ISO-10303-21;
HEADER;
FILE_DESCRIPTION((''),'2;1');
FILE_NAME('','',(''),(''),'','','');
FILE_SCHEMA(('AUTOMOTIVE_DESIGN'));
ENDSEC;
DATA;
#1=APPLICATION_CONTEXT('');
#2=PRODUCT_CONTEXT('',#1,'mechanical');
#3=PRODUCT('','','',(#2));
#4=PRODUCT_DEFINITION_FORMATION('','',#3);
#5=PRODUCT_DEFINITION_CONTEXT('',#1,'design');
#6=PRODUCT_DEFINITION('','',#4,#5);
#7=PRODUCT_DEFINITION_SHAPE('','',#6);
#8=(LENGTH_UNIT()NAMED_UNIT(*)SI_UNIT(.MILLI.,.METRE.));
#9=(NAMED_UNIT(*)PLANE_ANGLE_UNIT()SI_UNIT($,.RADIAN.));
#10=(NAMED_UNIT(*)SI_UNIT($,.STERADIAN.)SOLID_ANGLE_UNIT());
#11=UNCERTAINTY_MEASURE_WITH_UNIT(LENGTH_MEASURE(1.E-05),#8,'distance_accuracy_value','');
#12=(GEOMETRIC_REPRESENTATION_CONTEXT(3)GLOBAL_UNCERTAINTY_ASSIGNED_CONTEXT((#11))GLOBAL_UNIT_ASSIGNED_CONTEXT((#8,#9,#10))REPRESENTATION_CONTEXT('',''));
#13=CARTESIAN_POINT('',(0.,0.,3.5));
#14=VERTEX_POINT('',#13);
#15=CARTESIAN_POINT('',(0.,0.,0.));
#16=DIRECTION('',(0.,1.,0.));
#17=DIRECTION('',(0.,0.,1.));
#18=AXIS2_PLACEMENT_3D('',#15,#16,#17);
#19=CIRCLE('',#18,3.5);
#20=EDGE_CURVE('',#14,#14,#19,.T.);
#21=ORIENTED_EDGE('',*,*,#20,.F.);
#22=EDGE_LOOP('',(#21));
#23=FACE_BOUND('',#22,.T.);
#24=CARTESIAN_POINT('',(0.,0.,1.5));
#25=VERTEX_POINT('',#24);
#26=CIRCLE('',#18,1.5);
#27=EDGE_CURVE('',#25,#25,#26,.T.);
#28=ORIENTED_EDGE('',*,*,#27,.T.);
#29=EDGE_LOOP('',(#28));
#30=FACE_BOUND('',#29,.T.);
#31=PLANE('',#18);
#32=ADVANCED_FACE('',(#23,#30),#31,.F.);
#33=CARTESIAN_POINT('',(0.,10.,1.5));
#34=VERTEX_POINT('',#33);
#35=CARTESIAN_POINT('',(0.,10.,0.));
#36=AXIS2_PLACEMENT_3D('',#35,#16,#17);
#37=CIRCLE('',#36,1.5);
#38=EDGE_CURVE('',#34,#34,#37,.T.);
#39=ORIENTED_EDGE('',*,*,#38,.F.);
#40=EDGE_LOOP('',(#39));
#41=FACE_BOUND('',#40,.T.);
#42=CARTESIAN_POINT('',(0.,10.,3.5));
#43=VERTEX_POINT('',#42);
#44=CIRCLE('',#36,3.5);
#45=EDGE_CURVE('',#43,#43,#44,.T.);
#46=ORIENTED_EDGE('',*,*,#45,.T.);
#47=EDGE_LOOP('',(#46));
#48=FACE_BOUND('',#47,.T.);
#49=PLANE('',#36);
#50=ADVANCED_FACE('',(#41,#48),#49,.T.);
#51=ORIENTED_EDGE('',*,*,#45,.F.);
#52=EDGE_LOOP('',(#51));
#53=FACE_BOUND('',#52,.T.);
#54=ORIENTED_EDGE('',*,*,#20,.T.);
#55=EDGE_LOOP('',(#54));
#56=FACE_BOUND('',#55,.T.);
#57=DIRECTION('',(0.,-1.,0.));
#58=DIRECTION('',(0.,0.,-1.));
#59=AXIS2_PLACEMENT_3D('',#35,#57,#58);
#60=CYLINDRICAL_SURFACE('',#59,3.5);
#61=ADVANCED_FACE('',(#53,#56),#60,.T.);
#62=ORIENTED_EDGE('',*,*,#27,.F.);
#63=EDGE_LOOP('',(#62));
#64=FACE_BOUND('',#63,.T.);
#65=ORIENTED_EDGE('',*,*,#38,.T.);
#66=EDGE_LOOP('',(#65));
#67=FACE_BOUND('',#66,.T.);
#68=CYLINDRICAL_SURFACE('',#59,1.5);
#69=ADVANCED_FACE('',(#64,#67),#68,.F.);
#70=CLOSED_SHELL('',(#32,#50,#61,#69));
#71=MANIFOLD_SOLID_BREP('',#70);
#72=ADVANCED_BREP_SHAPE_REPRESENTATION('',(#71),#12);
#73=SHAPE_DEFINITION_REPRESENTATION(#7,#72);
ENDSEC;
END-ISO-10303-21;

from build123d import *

# Parameters (mm, degrees)
SKETCH_1_R      = 3.5
SKETCH_1_R_2    = 1.5
EXTRUDE_1_DEPTH = 10


with BuildPart() as part:
    # 草图1 → 凸台-拉伸1 (new body)
    with BuildSketch(Plane(origin=(0, 0, 0), x_dir=(1, 0, 0), z_dir=(0, 1, 0))):
        Circle(SKETCH_1_R)
        Circle(SKETCH_1_R_2, mode=Mode.SUBTRACT)
    extrude(amount=EXTRUDE_1_DEPTH)


solid = part.part
